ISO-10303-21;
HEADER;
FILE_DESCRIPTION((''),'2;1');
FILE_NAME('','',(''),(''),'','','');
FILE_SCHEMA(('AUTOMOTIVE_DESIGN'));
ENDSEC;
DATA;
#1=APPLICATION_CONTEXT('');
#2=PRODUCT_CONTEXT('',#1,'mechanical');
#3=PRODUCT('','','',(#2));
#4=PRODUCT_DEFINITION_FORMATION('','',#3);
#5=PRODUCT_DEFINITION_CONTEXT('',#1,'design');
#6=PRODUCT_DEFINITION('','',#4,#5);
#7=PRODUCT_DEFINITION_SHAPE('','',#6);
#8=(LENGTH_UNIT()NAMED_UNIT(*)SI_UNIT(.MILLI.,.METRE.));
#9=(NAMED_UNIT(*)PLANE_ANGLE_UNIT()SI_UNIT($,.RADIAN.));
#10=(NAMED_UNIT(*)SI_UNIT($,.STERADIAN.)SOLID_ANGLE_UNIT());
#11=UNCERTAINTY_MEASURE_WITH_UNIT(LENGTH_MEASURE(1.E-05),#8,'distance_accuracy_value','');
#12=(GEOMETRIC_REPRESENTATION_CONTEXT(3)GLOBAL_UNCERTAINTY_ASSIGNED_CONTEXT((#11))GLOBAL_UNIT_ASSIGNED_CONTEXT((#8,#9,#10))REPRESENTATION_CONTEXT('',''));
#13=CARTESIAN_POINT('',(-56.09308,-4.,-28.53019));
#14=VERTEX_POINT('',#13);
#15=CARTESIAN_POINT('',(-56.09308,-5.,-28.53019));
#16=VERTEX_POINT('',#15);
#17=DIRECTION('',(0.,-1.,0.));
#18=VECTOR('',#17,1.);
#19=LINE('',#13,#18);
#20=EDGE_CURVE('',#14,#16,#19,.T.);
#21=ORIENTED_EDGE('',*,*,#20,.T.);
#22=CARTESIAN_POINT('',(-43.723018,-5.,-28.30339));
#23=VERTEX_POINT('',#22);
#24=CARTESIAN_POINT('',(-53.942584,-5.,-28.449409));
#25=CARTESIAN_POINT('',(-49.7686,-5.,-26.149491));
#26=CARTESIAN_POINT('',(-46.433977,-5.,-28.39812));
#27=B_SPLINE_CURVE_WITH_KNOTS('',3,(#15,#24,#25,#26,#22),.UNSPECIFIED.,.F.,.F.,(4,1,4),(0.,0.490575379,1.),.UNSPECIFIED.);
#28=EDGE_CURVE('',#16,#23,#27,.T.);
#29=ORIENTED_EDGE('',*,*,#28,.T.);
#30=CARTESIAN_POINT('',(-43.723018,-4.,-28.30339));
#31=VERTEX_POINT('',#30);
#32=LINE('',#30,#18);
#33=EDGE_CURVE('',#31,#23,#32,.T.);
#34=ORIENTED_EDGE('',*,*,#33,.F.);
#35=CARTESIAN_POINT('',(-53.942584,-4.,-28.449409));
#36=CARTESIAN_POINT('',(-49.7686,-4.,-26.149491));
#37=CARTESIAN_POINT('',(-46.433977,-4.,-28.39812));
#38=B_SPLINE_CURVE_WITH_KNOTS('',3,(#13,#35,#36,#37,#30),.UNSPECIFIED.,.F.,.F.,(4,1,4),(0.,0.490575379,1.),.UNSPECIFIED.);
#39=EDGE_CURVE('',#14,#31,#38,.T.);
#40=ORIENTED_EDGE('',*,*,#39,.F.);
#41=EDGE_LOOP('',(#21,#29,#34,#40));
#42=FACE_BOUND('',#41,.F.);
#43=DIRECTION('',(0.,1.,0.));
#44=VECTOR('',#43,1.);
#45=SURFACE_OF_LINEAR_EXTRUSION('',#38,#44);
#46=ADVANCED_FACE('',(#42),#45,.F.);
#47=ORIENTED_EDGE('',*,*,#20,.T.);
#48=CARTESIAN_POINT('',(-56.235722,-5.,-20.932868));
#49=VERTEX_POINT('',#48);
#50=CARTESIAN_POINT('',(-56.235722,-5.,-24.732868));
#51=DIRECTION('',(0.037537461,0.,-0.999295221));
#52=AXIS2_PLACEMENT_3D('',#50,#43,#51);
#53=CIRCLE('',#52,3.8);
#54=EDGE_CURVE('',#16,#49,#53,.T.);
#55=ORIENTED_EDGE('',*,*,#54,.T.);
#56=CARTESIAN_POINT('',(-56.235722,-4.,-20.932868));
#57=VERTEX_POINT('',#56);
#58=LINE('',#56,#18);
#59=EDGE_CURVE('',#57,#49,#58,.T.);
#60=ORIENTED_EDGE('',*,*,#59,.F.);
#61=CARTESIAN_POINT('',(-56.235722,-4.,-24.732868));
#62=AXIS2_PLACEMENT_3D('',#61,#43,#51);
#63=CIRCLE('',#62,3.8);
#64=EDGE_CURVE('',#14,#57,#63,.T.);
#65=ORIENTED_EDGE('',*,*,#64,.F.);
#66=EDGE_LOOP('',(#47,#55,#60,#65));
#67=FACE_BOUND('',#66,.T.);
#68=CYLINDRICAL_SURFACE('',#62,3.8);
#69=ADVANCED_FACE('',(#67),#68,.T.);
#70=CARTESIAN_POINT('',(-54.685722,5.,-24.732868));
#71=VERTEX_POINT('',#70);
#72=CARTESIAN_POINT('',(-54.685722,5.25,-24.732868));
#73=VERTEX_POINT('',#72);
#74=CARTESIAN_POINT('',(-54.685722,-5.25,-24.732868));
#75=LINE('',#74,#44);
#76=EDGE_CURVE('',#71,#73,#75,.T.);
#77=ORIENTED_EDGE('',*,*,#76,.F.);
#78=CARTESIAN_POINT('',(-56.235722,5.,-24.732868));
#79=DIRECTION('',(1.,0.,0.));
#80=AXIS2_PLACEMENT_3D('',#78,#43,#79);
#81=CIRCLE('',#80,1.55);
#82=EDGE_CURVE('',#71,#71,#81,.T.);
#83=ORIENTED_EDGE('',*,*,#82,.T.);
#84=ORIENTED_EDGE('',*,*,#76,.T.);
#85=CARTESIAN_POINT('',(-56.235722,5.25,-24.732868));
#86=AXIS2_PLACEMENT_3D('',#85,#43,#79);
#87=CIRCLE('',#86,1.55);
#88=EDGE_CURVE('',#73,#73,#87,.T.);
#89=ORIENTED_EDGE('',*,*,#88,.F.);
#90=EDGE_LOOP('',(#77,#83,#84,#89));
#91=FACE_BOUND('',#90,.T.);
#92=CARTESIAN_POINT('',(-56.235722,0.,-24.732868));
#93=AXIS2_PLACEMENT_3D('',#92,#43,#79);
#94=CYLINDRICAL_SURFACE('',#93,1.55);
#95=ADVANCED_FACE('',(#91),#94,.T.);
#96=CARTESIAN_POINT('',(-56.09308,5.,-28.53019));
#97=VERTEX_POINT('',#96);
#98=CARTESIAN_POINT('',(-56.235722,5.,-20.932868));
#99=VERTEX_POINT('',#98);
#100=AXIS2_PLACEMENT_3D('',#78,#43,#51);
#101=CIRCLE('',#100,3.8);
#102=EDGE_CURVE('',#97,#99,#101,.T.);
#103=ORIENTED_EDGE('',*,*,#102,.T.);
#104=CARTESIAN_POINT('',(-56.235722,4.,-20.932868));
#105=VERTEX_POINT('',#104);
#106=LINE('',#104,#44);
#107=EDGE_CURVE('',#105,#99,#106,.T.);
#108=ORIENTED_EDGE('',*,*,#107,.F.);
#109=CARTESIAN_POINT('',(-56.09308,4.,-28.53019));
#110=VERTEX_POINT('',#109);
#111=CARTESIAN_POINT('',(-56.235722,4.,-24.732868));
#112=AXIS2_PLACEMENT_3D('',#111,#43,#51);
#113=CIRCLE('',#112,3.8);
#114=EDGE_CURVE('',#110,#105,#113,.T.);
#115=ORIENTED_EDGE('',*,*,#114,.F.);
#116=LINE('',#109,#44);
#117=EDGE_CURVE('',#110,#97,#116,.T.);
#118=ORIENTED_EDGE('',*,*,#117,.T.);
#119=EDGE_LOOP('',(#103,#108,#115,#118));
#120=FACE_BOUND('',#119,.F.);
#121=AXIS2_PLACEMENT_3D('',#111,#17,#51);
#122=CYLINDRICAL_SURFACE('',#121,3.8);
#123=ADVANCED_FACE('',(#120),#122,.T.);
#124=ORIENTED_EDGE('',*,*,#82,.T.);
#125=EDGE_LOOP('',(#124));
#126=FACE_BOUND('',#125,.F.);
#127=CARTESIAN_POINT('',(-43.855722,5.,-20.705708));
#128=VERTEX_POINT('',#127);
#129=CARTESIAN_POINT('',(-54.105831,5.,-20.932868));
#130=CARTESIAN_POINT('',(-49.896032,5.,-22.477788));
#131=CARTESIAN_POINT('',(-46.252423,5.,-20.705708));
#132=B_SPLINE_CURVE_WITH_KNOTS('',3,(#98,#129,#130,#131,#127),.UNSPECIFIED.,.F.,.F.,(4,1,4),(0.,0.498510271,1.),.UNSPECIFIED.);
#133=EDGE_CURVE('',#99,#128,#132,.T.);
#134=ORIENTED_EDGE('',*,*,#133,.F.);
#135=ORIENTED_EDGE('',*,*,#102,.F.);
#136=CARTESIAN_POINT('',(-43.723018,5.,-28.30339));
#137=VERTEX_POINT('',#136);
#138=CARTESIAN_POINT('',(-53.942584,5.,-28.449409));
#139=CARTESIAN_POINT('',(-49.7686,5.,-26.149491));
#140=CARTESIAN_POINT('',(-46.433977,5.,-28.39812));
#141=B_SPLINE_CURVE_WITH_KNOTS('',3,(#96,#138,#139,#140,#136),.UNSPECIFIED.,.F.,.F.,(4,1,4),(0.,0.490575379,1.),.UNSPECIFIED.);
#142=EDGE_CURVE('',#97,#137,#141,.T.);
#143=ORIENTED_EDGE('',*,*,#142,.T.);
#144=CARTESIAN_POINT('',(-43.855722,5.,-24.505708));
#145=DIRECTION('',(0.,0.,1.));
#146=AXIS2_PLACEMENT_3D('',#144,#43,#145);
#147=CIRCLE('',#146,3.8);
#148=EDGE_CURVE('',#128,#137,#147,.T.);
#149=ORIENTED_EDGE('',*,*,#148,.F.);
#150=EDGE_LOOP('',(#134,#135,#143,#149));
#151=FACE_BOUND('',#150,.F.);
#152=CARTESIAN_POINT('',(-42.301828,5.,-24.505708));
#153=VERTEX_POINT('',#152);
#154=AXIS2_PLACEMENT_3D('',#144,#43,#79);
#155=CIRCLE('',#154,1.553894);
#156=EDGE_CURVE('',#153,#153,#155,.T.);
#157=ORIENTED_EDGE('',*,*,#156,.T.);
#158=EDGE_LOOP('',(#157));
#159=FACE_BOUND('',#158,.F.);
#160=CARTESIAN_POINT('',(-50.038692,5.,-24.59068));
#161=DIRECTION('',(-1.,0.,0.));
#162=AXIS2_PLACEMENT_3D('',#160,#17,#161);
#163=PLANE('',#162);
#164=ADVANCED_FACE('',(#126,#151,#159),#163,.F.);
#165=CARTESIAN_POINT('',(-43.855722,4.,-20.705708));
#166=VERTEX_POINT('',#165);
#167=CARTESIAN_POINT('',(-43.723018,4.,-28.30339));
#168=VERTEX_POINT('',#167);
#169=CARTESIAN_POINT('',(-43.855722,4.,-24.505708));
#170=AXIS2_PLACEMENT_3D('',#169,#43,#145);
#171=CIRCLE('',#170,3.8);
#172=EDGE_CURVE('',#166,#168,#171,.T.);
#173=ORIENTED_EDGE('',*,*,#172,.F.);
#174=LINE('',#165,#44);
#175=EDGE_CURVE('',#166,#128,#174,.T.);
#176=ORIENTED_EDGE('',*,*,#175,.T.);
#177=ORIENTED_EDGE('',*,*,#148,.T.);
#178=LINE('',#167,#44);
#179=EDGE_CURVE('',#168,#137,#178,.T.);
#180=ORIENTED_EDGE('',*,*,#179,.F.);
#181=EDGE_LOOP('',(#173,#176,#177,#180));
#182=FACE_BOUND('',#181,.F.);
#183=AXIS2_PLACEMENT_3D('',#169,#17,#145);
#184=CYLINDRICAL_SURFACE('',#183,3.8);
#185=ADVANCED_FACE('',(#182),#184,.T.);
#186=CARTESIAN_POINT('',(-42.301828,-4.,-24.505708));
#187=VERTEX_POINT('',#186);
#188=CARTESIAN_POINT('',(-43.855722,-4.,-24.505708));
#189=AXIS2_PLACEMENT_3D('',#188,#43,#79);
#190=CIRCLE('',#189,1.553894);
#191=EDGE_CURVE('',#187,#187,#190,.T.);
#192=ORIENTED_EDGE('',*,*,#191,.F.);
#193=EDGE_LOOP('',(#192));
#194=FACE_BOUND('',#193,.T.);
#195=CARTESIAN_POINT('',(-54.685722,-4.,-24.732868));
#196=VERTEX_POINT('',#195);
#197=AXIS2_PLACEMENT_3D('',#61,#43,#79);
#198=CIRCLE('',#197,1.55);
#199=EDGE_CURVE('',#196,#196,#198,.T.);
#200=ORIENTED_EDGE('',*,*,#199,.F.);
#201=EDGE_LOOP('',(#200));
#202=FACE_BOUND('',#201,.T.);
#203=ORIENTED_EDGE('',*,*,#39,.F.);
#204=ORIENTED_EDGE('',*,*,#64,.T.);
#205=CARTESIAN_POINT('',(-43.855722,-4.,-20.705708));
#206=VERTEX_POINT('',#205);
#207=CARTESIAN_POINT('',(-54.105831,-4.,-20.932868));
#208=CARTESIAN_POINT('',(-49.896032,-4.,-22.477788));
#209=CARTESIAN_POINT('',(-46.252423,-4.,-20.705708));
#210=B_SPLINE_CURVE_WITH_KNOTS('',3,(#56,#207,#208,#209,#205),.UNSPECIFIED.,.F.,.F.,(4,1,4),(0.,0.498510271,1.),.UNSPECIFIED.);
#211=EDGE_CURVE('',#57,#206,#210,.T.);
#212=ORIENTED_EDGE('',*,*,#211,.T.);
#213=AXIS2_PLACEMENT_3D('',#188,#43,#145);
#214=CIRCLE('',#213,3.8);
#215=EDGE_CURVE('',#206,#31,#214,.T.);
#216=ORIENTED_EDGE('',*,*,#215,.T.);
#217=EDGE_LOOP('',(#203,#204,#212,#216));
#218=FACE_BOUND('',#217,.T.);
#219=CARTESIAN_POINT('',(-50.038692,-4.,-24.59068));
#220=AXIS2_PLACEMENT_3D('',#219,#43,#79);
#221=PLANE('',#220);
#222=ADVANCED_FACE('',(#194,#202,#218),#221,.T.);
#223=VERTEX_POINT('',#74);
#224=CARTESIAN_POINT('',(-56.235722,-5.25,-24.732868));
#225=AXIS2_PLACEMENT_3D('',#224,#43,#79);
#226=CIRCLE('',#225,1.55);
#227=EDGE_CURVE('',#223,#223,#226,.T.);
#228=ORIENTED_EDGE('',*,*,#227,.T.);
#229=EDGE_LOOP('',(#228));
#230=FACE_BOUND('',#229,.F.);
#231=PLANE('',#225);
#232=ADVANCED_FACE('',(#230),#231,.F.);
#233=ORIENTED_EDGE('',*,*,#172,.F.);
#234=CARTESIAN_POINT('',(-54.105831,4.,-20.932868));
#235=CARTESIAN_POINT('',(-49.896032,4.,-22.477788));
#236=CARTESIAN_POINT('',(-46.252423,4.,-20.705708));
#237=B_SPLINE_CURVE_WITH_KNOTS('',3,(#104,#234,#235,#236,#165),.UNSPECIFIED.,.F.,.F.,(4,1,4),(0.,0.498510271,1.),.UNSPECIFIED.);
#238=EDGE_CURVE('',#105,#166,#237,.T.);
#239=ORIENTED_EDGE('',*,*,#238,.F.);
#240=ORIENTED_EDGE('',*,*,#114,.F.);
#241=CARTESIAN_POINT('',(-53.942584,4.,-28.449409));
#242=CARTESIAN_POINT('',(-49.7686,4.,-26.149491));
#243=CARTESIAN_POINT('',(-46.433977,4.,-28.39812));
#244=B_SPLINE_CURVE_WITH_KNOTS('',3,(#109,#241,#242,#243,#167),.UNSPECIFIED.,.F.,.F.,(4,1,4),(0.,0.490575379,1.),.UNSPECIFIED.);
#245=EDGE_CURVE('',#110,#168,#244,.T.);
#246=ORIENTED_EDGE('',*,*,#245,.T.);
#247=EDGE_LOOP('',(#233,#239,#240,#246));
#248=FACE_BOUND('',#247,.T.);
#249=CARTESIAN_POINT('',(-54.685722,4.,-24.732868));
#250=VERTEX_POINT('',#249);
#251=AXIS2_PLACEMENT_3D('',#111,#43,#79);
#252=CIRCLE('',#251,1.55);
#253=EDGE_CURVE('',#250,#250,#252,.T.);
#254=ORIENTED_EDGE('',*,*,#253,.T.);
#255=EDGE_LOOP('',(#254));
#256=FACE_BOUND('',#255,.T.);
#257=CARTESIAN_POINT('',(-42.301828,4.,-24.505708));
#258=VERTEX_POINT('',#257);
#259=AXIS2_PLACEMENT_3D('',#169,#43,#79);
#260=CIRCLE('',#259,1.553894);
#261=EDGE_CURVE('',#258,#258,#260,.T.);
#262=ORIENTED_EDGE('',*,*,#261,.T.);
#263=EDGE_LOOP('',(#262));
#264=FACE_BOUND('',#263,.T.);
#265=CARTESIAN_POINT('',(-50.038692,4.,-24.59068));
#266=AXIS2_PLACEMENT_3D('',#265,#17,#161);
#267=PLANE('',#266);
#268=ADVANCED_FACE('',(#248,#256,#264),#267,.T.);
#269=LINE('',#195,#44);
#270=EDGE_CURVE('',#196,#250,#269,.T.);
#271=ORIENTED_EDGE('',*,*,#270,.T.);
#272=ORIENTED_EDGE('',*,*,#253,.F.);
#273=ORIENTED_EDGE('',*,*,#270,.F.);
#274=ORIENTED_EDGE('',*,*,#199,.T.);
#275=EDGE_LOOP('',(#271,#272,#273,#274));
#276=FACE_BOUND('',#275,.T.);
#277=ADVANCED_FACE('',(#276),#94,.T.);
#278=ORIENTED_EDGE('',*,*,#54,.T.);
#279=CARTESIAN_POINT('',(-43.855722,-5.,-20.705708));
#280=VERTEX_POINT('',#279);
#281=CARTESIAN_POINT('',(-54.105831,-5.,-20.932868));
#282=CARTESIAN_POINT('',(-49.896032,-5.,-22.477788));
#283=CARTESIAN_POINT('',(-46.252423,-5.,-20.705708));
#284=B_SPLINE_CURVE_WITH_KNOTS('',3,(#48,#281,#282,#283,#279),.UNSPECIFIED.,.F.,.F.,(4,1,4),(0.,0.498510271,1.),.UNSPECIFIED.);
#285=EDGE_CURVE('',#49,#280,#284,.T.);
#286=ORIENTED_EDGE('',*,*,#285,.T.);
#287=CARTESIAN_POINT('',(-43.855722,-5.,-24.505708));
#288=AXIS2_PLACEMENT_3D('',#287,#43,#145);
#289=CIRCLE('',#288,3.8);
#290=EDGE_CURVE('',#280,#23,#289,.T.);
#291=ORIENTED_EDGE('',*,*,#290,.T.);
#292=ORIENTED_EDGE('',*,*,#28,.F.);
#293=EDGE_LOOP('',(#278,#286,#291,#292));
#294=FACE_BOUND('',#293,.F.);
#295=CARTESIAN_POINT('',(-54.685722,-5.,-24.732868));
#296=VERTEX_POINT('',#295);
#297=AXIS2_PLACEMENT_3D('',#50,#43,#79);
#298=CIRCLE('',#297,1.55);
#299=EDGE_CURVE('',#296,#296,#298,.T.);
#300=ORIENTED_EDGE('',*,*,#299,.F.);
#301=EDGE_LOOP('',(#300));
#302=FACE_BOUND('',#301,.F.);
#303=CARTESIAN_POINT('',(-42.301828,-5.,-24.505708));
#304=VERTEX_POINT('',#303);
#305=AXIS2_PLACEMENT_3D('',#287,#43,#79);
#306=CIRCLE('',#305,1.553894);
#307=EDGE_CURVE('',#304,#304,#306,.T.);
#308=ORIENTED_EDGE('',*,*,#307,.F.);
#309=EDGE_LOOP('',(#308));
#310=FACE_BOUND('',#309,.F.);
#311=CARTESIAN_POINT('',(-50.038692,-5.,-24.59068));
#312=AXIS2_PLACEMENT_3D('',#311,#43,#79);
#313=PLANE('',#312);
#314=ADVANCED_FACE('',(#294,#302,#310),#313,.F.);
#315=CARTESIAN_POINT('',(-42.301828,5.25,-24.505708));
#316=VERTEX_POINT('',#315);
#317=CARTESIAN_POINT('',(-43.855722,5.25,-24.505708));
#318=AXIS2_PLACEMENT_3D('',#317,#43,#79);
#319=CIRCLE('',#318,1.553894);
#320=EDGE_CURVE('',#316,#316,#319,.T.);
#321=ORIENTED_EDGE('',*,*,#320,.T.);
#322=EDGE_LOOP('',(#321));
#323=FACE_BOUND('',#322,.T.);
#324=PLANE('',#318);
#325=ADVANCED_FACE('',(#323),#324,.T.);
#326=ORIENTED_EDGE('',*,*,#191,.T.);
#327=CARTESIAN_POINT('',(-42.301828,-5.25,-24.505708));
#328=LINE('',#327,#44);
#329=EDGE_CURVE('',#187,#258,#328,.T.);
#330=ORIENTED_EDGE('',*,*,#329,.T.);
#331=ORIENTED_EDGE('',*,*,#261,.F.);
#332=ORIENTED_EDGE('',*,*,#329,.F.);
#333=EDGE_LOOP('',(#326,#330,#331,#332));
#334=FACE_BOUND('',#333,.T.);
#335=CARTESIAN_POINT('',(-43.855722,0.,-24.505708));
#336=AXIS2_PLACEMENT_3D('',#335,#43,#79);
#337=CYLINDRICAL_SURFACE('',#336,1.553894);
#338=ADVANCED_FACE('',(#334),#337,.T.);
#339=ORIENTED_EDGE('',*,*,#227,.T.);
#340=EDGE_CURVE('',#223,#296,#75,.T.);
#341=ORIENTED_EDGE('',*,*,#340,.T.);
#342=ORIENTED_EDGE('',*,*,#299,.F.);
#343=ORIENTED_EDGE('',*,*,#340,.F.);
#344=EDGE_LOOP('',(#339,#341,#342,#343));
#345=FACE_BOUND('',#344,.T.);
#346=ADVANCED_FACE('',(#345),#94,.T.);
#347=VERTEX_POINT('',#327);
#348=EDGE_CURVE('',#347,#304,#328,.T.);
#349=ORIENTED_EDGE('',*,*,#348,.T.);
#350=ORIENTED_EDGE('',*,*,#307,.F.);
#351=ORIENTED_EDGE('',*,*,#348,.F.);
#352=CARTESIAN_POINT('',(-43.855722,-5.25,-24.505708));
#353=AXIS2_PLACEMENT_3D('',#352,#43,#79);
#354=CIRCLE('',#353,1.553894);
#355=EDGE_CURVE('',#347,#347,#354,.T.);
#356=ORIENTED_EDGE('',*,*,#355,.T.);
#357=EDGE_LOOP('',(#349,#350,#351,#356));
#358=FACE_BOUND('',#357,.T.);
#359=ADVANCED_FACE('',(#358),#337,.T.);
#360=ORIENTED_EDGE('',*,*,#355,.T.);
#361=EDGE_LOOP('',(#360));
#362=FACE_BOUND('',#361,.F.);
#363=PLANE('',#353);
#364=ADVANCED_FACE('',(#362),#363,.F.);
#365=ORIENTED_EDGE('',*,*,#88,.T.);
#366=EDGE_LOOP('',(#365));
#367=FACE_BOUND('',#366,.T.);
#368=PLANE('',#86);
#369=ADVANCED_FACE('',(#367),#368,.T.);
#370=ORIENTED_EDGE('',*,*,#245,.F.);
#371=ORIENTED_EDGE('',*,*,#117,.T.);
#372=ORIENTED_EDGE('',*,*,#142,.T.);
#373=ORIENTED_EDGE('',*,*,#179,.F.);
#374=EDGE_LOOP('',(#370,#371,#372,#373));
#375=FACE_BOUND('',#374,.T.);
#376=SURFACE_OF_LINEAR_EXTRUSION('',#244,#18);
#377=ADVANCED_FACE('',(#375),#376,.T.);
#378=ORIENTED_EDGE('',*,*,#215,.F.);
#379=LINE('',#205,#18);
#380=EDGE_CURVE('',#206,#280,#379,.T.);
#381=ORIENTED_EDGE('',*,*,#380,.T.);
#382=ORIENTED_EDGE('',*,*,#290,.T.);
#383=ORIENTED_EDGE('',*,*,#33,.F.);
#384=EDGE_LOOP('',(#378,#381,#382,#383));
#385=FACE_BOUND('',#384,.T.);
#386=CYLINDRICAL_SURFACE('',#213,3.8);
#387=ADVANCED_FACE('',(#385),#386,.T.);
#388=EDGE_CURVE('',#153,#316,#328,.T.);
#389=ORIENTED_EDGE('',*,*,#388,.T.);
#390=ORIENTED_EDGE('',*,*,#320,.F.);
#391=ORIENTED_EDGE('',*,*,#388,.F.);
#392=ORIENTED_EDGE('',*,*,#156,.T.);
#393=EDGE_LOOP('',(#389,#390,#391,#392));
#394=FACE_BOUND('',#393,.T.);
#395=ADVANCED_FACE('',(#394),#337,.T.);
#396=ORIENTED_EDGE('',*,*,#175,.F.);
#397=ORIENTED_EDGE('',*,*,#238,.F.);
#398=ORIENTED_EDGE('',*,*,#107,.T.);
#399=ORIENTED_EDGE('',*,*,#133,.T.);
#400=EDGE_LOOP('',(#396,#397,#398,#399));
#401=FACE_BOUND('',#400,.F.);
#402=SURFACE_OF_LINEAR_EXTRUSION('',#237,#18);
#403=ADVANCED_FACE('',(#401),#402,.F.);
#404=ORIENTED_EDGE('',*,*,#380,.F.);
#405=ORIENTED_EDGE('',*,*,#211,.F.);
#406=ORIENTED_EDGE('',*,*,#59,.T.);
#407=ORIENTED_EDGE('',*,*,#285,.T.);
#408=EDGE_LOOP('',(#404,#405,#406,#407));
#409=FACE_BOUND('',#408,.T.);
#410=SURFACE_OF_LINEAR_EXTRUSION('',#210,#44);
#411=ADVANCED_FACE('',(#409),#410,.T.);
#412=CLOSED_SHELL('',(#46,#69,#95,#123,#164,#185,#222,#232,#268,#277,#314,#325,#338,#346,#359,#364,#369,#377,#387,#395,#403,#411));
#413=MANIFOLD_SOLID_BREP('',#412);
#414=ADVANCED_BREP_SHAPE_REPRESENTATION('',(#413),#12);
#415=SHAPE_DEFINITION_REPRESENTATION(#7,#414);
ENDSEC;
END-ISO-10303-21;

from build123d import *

# Parameters (mm, degrees)
EXTRUDE_START    = 4
SKETCH_1_R       = 1.553894019
SKETCH_1_R_2     = 1.55
EXTRUDE_7_DEPTH  = 1
EXTRUDE_START_2  = -4
SKETCH_6_R       = 1.55
SKETCH_6_R_2     = 1.553894019
EXTRUDE_11_DEPTH = 1
SKETCH_4_R       = 1.55
EXTRUDE_12_DEPTH = 5.25
SKETCH_4_5_R     = 1.55
SKETCH_4_5_R_2   = 1.553894019
EXTRUDE_13_DEPTH = 5.25


with BuildPart() as part:
    # 草图1 → 凸台-拉伸7 (new body)
    with BuildSketch(Plane(origin=(0, 0, 0), x_dir=(1, 0, 0), z_dir=(0, 1, 0)).offset(EXTRUDE_START)):
        with BuildLine():
            add(Edge.make_bspline(
                [(-56.093079937, 28.530189917), (-53.942583983, 28.449408827), (-49.768599584, 26.149491118), (-46.433977381, 28.398120151), (-43.723017894, 28.303389675)],
                knots=[0, 0, 0, 0, 0.490575379, 1, 1, 1, 1], degree=3))
            ThreePointArc((-56.093079937, 28.530189917), (-60.035052689, 24.804201821), (-56.235722287, 20.932868077))
            add(Edge.make_bspline(
                [(-56.235722287, 20.932868077), (-54.105831048, 20.932868077), (-49.896032342, 22.477788173), (-46.252423284, 20.705707547), (-43.855722287, 20.705707547)],
                knots=[0, 0, 0, 0, 0.498510271, 1, 1, 1, 1], degree=3))
            ThreePointArc((-43.855722287, 20.705707547), (-40.0563018, 24.43934523), (-43.723017894, 28.303389675))
        make_face()
        with Locations((-43.855722287, 24.505707547)):
            Circle(SKETCH_1_R, mode=Mode.SUBTRACT)
        with Locations((-56.235722287, 24.732868077)):
            Circle(SKETCH_1_R_2, mode=Mode.SUBTRACT)
    extrude(amount=EXTRUDE_7_DEPTH)



with BuildPart() as body_2:
    # 草图6 → 凸台-拉伸11 (new body)
    with BuildSketch(Plane(origin=(0, 0, 0), x_dir=(1, 0, 0), z_dir=(0, 1, 0)).offset(EXTRUDE_START_2)):
        with BuildLine():
            ThreePointArc((-56.093079937, 28.530189917), (-60.035052689, 24.804201821), (-56.235722287, 20.932868077))
            add(Edge.make_bspline(
                [(-56.235722287, 20.932868077), (-54.105831048, 20.932868077), (-49.896032342, 22.477788173), (-46.252423284, 20.705707547), (-43.855722287, 20.705707547)],
                knots=[0, 0, 0, 0, 0.498510271, 1, 1, 1, 1], degree=3))
            ThreePointArc((-43.855722287, 20.705707547), (-40.0563018, 24.43934523), (-43.723017894, 28.303389675))
            add(Edge.make_bspline(
                [(-56.093079937, 28.530189917), (-53.942583983, 28.449408827), (-49.768599584, 26.149491118), (-46.433977381, 28.398120151), (-43.723017894, 28.303389675)],
                knots=[0, 0, 0, 0, 0.490575379, 1, 1, 1, 1], degree=3))
        make_face()
        with Locations((-56.235722287, 24.732868077)):
            Circle(SKETCH_6_R, mode=Mode.SUBTRACT)
        with Locations((-43.855722287, 24.505707547)):
            Circle(SKETCH_6_R_2, mode=Mode.SUBTRACT)
    extrude(amount=-EXTRUDE_11_DEPTH)


with BuildPart() as part_1:
    add(part.part)

    add(body_2.part)  # 凸台-拉伸12 merges body 2
    # 草图4 → 凸台-拉伸12 (add, symmetric)
    with BuildSketch(Plane(origin=(0, 0, 0), x_dir=(1, 0, 0), z_dir=(0, 1, 0))):
        with Locations((-56.235722287, 24.732868077)):
            Circle(SKETCH_4_R)
    extrude(amount=EXTRUDE_12_DEPTH, both=True)

    # 草图4<5> → 凸台-拉伸13 (add, symmetric)
    with BuildSketch(Plane(origin=(0, 0, 0), x_dir=(1, 0, 0), z_dir=(0, 1, 0))):
        with Locations((-56.235722287, 24.732868077)):
            Circle(SKETCH_4_5_R)
        with Locations((-43.855722287, 24.505707547)):
            Circle(SKETCH_4_5_R_2)
    extrude(amount=EXTRUDE_13_DEPTH, both=True)


solid = part_1.part
